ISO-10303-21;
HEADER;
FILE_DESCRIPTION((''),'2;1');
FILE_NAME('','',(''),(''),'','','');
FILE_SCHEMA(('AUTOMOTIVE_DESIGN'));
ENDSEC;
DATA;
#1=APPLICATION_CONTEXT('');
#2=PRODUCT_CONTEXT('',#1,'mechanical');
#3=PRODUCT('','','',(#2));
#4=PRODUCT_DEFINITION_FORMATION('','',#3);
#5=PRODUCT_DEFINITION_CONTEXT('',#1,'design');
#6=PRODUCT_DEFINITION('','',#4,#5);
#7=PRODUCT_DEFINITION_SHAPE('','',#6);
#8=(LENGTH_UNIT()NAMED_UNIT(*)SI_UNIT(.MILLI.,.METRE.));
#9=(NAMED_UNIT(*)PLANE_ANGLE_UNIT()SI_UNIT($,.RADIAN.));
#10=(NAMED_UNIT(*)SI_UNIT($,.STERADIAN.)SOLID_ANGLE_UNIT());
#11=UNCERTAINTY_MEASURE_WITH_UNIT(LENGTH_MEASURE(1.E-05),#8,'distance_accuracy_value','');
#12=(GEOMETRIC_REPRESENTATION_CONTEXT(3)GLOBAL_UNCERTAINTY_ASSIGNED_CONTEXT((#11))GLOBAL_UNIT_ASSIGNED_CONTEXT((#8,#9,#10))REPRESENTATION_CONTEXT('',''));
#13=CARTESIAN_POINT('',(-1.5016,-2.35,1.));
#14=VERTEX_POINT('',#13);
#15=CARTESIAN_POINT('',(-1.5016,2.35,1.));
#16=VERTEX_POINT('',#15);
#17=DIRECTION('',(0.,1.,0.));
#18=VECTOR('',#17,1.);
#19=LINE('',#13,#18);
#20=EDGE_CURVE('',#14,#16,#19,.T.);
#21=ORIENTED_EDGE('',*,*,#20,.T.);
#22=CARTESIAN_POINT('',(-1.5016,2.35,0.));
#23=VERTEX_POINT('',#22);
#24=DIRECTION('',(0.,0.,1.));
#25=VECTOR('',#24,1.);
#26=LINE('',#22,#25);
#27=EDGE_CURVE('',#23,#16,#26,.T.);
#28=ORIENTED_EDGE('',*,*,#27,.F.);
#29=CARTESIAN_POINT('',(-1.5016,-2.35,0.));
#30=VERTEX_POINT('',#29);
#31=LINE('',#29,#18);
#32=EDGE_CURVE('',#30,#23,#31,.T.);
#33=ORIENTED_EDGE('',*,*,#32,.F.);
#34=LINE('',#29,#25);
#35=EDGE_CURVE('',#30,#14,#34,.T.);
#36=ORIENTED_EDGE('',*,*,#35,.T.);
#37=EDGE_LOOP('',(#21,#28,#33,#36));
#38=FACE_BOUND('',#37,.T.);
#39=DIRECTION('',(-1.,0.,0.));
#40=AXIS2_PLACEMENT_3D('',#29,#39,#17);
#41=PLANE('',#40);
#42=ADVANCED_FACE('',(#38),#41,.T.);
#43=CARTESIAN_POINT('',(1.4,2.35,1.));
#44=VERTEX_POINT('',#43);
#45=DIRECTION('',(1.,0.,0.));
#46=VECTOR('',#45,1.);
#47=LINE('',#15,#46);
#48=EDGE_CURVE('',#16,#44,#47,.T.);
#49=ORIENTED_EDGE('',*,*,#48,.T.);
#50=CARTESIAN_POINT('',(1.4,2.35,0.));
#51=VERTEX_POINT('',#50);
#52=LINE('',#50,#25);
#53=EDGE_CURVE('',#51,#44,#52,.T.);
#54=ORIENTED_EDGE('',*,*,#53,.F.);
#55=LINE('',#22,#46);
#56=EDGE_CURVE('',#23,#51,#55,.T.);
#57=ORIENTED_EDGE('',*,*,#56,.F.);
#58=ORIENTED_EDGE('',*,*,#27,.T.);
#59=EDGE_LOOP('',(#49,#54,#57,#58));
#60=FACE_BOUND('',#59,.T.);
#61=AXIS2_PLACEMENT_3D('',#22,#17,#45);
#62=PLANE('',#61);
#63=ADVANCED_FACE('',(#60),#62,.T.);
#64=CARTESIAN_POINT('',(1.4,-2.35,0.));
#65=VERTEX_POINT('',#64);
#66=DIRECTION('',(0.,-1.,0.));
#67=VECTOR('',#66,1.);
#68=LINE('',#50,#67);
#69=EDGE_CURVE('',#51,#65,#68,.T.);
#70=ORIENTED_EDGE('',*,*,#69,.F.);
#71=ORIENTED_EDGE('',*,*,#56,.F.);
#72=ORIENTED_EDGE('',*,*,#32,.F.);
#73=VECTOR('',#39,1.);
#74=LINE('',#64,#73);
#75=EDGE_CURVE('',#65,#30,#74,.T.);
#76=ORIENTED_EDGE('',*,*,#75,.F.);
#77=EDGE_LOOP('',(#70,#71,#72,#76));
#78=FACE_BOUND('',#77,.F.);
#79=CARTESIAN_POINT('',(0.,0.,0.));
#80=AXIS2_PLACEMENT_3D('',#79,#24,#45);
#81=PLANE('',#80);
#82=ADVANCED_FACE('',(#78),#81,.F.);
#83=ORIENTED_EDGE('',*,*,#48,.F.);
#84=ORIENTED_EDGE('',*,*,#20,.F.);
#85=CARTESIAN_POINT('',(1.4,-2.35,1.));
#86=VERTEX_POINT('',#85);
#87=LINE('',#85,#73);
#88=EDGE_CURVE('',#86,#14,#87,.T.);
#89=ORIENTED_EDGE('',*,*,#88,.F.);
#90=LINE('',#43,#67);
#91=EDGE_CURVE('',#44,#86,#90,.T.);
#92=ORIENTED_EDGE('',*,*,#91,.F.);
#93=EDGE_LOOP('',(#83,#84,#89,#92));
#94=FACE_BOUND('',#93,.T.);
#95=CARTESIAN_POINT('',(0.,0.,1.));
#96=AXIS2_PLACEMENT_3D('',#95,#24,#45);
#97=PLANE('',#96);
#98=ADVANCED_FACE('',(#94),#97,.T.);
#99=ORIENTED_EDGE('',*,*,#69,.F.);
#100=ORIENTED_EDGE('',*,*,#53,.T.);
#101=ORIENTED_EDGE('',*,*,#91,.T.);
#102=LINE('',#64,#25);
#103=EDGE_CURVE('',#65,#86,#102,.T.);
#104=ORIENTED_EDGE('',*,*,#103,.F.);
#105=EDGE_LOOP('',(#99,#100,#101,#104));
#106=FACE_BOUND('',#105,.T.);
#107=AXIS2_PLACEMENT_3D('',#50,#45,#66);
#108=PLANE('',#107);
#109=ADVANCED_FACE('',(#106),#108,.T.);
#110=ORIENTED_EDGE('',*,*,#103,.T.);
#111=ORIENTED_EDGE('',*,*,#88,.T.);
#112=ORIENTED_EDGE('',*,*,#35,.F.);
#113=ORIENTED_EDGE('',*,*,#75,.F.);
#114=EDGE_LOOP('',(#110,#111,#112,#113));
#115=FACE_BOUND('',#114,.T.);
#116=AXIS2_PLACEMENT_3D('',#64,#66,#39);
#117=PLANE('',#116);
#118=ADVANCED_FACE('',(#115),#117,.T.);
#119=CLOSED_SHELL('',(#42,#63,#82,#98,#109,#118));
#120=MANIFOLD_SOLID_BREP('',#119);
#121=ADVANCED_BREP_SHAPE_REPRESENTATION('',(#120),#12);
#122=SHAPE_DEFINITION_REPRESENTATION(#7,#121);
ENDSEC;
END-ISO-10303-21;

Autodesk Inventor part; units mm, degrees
ref_plane "YZ Plane" through (0, 0, 0) normal (1, 0, 0) x (0, 1, 0)
ref_plane "XZ Plane" through (0, 0, 0) normal (0, 1, 0) x (-1, 0, 0)
ref_plane "XY Plane" through (0, 0, 0) normal (0, 0, 1) x (1, 0, 0)
sketch "P-LCC-2, LED_5V_1_P-LCC-2_40" plane through (0, 0, 0) normal (0, 0, 1) x (1, 0, 0)
  line L0 (-1.5016, 2.35) -> (1.4, 2.35)
  line L1 (1.4, 2.35) -> (1.4, -2.35)
  line L2 (1.4, -2.35) -> (-1.5016, -2.35)
  line L3 (-1.5016, -2.35) -> (-1.5016, 2.35)
extrude "Extrusion1" add sketch "P-LCC-2, LED_5V_1_P-LCC-2_40" along normal blind 1
properties part number "LED_5V_1_P-LCC-2"
